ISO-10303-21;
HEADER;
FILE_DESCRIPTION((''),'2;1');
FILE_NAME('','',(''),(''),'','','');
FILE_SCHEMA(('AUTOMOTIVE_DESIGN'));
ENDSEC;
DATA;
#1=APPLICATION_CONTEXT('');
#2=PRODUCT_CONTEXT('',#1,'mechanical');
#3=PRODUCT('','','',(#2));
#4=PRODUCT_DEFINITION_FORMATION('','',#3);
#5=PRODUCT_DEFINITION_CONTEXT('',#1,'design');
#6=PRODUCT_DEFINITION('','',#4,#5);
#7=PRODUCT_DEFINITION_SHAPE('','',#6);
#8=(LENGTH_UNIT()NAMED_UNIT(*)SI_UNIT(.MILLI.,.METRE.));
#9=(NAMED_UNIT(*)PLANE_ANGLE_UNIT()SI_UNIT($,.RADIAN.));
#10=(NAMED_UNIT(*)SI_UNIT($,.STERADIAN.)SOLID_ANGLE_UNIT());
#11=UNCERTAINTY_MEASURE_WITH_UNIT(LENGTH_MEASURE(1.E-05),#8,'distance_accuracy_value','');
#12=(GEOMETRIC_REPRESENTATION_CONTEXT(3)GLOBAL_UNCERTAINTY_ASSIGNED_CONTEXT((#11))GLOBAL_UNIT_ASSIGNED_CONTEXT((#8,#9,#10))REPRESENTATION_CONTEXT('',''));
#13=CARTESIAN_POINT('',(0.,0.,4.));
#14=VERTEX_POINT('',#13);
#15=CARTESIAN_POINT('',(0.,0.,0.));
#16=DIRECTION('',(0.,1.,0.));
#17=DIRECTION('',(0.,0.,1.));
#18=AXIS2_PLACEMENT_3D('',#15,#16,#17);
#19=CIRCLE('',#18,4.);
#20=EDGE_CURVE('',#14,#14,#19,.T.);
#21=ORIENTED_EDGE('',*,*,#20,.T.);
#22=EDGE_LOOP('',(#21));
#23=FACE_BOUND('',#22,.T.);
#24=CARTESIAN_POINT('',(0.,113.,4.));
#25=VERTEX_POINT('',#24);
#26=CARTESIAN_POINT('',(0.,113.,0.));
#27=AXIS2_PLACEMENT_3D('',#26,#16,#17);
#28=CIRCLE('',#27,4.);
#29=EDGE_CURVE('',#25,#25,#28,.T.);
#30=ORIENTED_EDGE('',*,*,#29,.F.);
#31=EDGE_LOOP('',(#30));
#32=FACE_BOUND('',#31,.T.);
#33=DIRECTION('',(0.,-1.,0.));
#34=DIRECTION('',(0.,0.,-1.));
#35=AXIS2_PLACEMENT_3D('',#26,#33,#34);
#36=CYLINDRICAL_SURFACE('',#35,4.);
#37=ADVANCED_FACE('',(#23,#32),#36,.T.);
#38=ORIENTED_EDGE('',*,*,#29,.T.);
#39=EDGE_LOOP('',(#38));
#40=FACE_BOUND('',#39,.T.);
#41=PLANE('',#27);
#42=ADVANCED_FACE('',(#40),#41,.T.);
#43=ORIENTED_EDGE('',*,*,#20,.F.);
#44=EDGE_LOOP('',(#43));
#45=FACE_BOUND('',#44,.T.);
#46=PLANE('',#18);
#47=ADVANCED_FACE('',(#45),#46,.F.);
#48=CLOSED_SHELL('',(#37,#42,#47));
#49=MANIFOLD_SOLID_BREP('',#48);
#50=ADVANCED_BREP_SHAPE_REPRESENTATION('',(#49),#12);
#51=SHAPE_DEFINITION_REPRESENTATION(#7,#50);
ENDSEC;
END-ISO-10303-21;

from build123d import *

# Parameters (mm, degrees)
SZKIC1_R                    = 4
DODANIE_WYCI_GNI_CIE1_DEPTH = 113


with BuildPart() as part:
    # Szkic1 → Dodanie-wyciągnięcie1 (new body)
    with BuildSketch(Plane(origin=(0, 0, 0), x_dir=(1, 0, 0), z_dir=(0, 1, 0))):
        with Locations(Location((0, 0, 0), (0, 0, 270))):
            Circle(SZKIC1_R)
    extrude(amount=DODANIE_WYCI_GNI_CIE1_DEPTH)


solid = part.part
